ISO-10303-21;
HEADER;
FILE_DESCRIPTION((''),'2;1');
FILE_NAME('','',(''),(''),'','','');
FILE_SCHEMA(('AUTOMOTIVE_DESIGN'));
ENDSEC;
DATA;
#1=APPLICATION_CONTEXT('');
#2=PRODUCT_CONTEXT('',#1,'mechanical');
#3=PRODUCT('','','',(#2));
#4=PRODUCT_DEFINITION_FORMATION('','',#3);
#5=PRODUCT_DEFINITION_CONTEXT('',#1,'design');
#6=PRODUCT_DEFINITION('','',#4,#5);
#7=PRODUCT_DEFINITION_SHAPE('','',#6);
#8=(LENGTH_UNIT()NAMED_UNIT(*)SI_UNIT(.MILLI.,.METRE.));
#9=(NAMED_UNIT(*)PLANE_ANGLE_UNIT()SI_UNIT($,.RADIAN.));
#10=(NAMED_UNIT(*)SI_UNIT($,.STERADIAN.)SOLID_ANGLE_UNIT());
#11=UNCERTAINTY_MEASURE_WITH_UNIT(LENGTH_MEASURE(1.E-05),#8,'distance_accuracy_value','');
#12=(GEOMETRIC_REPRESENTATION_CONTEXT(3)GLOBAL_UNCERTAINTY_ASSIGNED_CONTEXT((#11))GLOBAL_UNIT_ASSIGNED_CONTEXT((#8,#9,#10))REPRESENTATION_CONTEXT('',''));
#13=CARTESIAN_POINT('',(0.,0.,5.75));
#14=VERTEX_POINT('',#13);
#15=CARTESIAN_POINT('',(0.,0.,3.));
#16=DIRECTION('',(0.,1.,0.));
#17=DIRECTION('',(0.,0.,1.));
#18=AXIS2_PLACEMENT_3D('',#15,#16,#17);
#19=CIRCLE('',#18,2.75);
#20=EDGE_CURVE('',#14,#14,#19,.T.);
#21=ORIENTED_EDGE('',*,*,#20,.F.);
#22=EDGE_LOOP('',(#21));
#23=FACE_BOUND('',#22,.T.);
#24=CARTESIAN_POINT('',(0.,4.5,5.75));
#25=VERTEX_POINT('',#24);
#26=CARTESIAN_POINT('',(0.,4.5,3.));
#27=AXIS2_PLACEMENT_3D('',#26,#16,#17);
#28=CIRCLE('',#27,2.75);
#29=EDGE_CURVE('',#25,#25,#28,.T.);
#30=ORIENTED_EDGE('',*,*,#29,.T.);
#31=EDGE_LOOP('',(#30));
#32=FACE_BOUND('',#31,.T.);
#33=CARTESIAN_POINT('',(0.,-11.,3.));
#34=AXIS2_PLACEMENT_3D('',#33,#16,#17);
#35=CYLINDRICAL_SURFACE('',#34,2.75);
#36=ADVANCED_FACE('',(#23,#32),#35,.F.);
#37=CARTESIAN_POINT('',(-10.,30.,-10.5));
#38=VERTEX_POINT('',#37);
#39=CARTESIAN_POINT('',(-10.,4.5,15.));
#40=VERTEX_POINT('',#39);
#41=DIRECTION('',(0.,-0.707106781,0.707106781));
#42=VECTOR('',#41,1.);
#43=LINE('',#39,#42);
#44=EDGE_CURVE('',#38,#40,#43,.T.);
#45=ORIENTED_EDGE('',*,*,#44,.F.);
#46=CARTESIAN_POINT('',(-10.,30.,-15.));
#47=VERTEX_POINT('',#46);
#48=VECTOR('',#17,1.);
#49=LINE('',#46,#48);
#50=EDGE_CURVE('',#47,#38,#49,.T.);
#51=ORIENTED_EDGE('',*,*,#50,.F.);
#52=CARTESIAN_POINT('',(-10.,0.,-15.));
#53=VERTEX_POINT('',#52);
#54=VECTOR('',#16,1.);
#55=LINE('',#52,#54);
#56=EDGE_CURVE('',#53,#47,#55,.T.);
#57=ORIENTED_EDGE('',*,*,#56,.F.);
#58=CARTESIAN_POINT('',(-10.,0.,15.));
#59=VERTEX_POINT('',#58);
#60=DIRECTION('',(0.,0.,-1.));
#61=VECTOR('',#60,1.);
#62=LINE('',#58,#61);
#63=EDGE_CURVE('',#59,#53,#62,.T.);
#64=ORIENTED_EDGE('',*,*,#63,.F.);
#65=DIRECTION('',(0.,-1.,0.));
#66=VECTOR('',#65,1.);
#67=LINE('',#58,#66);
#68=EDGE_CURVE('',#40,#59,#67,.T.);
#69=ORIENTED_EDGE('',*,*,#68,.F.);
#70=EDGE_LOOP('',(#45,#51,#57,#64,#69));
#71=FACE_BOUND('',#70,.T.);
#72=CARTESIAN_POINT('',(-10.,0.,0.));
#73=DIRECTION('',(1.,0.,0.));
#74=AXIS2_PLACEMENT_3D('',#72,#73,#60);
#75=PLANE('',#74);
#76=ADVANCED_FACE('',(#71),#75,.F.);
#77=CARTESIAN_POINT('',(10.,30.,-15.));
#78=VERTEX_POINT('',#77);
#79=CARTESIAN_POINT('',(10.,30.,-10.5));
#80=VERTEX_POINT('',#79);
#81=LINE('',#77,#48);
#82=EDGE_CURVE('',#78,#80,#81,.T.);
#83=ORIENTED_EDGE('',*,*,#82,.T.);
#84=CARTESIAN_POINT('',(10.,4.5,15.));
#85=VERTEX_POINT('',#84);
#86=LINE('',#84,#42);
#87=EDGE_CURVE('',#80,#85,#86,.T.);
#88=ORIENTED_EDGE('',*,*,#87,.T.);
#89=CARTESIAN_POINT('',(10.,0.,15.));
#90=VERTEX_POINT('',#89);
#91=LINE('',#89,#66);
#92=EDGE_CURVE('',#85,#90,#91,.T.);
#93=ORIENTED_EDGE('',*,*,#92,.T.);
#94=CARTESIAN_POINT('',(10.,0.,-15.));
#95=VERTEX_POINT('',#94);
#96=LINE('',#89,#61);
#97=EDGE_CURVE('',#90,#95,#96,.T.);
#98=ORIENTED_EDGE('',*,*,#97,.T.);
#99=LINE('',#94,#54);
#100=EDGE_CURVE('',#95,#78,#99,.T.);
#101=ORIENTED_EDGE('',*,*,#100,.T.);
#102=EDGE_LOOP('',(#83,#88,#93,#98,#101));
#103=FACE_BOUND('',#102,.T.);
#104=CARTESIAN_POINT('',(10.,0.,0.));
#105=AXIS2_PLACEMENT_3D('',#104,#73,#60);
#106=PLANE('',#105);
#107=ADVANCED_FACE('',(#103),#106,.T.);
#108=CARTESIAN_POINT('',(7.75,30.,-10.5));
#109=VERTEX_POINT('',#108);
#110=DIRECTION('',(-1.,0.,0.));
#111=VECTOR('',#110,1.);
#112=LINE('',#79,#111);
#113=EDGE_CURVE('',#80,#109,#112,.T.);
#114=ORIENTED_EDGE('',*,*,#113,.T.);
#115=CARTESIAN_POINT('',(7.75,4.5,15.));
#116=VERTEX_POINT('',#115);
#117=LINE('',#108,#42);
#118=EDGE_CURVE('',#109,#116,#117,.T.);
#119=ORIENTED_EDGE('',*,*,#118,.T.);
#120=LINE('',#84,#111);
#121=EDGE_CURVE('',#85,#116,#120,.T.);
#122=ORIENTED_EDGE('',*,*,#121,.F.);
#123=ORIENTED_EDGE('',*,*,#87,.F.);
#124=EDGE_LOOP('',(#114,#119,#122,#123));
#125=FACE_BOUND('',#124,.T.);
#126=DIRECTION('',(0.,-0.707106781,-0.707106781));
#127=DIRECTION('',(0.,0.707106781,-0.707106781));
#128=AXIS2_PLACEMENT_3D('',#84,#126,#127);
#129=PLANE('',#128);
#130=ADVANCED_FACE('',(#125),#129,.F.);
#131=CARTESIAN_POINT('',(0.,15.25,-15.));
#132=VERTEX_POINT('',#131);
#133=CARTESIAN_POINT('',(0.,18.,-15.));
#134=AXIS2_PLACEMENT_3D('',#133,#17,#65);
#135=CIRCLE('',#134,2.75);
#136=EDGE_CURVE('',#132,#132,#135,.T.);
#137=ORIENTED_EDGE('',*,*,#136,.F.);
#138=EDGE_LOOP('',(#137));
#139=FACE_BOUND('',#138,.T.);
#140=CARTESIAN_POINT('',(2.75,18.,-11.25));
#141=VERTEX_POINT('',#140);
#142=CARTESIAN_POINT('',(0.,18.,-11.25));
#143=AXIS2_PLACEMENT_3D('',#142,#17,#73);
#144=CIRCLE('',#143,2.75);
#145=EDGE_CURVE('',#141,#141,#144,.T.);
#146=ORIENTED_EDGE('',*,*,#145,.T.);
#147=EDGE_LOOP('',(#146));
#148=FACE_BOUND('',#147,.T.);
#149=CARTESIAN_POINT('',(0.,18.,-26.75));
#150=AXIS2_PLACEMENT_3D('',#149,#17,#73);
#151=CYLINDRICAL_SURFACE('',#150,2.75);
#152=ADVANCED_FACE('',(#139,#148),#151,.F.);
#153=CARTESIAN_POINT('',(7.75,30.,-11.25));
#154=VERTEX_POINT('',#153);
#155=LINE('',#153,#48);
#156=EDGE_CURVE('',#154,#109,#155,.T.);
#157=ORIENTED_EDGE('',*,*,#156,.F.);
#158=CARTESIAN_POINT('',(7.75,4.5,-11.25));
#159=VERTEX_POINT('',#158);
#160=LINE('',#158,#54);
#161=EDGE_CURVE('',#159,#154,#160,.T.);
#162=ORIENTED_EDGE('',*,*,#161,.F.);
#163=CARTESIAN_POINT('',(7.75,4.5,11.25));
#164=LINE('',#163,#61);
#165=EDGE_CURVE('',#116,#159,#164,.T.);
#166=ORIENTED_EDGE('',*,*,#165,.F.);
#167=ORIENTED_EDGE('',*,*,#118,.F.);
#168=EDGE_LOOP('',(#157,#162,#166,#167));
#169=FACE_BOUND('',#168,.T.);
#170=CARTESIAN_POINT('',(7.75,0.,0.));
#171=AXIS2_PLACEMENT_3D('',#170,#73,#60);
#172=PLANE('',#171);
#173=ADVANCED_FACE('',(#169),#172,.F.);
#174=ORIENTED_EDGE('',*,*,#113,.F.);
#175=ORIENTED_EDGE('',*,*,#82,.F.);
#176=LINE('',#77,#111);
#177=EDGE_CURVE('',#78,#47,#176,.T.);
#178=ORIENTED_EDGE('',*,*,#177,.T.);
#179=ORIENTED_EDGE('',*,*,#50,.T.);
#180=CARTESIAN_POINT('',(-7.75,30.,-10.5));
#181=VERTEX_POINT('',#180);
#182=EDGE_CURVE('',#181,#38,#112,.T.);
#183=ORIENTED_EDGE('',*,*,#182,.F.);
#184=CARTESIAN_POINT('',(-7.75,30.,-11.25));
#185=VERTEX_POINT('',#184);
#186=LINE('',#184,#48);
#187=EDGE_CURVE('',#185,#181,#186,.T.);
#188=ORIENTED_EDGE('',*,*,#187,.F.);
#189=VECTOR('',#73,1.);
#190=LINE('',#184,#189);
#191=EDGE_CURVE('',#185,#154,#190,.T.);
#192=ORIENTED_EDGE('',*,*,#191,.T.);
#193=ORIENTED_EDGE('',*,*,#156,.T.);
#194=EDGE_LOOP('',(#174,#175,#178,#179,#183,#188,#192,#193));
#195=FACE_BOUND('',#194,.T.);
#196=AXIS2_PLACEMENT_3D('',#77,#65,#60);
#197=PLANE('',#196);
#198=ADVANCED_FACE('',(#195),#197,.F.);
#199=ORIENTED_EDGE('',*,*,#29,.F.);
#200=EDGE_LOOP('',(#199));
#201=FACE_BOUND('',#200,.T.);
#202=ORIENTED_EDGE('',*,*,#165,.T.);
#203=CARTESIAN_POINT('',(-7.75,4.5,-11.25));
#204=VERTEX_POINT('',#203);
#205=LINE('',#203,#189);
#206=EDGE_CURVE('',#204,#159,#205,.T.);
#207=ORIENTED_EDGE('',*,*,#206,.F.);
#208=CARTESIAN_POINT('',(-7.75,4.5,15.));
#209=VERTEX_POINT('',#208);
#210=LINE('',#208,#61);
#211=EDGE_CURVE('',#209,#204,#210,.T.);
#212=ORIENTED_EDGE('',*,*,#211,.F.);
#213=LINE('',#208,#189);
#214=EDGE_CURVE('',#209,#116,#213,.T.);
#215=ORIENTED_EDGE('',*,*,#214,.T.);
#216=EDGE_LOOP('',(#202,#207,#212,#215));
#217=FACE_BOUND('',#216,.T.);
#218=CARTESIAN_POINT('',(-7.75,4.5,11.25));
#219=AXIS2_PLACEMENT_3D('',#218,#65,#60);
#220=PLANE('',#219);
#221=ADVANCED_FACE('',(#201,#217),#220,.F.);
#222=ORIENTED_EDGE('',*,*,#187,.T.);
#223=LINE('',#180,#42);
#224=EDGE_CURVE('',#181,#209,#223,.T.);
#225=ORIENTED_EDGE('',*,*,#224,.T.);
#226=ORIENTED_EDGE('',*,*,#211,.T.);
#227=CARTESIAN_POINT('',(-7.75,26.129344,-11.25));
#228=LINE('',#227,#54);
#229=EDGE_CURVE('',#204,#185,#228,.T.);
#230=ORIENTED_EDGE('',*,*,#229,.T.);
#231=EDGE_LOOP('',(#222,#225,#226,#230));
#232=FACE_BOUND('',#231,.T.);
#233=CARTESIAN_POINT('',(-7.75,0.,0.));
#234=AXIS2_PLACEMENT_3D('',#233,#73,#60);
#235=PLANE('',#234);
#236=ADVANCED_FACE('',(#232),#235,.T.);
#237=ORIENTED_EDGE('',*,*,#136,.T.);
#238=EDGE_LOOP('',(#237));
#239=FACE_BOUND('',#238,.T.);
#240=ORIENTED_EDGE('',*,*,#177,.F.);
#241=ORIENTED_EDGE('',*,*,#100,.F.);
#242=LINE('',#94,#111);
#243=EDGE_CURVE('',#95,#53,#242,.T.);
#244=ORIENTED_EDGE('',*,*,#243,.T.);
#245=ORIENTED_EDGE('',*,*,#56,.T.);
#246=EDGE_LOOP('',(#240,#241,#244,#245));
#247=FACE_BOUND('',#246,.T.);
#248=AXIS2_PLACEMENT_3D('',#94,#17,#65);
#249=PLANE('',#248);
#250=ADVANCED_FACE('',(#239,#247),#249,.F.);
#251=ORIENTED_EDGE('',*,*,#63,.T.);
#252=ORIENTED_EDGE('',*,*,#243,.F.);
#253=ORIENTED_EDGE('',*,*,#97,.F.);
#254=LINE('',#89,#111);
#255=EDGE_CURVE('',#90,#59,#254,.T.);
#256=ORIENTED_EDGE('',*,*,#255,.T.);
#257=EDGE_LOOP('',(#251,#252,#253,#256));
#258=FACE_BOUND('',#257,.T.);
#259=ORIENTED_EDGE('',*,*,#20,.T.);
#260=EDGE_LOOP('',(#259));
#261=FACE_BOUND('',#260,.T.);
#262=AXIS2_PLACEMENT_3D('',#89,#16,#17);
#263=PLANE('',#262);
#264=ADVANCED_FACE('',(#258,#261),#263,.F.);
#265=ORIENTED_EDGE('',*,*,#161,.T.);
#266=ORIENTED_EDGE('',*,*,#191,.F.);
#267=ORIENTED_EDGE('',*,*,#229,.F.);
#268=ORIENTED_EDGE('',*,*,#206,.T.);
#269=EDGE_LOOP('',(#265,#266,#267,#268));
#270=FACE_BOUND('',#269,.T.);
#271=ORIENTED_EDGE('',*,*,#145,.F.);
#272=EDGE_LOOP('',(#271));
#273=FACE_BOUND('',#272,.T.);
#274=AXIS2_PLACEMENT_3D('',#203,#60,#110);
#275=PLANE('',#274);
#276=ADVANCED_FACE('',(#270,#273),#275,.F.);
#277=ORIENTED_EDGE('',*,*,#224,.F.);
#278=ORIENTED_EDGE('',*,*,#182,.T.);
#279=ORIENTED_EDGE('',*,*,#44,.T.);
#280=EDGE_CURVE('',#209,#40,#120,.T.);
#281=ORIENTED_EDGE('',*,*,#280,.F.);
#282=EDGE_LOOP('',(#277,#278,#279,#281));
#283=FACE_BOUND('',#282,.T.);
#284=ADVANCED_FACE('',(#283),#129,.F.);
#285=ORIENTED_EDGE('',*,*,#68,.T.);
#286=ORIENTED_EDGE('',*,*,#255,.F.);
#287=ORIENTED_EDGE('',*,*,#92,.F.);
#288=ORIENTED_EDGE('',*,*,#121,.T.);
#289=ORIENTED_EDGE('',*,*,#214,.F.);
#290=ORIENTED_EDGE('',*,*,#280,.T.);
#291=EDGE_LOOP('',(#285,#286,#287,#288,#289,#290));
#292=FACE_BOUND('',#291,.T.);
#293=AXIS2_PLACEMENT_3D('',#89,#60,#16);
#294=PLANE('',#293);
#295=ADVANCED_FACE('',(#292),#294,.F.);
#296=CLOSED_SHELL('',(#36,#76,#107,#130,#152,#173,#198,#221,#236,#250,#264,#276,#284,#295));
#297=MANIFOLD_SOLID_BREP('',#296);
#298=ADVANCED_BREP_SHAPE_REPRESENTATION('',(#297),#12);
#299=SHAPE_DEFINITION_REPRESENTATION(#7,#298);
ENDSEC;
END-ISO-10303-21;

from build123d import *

# Parameters (mm, degrees)
BOSS_EXTRUDE1_DEPTH = 10
CUT_EXTRUDE1_DEPTH  = 7.75
SKETCH3_R           = 2.75
CUT_EXTRUDE2_DEPTH  = 15.5
SKETCH4_R           = 2.75
CUT_EXTRUDE3_DEPTH  = 15.5


with BuildPart() as part:
    # Sketch1 → Boss-Extrude1 (new, symmetric)
    with BuildSketch(Plane(origin=(0, 0, 0), x_dir=(0, 0, -1), z_dir=(1, 0, 0))):
        Polygon((-15, 0), (15, 0), (15, 30), (10.5, 30), (-15, 4.5), align=None)
    extrude(amount=BOSS_EXTRUDE1_DEPTH, both=True)

    # Sketch2 → Cut-Extrude1 (cut, symmetric)
    with BuildSketch(Plane(origin=(0, 0, 0), x_dir=(0, 0, -1), z_dir=(1, 0, 0))):
        Polygon((-11.25, 4.5), (11.25, 4.5), (11.25, 26.129344049), (11.25, 30), (10.5, 30), (-15, 4.5), align=None)
    extrude(amount=CUT_EXTRUDE1_DEPTH, both=True, mode=Mode.SUBTRACT)

    # Sketch3 → Cut-Extrude2 (cut)
    with BuildSketch(Plane.XY.offset(-11.25)):
        with Locations((0, 18)):
            Circle(SKETCH3_R)
    extrude(amount=-CUT_EXTRUDE2_DEPTH, mode=Mode.SUBTRACT)

    # Sketch4 → Cut-Extrude3 (cut)
    with BuildSketch(Plane(origin=(0, 4.5, 0), x_dir=(1, 0, 0), z_dir=(0, 1, 0))):
        with Locations(Location((0, -3, 0), (0, 0, 270))):
            Circle(SKETCH4_R)
    extrude(amount=-CUT_EXTRUDE3_DEPTH, mode=Mode.SUBTRACT)


solid = part.part
